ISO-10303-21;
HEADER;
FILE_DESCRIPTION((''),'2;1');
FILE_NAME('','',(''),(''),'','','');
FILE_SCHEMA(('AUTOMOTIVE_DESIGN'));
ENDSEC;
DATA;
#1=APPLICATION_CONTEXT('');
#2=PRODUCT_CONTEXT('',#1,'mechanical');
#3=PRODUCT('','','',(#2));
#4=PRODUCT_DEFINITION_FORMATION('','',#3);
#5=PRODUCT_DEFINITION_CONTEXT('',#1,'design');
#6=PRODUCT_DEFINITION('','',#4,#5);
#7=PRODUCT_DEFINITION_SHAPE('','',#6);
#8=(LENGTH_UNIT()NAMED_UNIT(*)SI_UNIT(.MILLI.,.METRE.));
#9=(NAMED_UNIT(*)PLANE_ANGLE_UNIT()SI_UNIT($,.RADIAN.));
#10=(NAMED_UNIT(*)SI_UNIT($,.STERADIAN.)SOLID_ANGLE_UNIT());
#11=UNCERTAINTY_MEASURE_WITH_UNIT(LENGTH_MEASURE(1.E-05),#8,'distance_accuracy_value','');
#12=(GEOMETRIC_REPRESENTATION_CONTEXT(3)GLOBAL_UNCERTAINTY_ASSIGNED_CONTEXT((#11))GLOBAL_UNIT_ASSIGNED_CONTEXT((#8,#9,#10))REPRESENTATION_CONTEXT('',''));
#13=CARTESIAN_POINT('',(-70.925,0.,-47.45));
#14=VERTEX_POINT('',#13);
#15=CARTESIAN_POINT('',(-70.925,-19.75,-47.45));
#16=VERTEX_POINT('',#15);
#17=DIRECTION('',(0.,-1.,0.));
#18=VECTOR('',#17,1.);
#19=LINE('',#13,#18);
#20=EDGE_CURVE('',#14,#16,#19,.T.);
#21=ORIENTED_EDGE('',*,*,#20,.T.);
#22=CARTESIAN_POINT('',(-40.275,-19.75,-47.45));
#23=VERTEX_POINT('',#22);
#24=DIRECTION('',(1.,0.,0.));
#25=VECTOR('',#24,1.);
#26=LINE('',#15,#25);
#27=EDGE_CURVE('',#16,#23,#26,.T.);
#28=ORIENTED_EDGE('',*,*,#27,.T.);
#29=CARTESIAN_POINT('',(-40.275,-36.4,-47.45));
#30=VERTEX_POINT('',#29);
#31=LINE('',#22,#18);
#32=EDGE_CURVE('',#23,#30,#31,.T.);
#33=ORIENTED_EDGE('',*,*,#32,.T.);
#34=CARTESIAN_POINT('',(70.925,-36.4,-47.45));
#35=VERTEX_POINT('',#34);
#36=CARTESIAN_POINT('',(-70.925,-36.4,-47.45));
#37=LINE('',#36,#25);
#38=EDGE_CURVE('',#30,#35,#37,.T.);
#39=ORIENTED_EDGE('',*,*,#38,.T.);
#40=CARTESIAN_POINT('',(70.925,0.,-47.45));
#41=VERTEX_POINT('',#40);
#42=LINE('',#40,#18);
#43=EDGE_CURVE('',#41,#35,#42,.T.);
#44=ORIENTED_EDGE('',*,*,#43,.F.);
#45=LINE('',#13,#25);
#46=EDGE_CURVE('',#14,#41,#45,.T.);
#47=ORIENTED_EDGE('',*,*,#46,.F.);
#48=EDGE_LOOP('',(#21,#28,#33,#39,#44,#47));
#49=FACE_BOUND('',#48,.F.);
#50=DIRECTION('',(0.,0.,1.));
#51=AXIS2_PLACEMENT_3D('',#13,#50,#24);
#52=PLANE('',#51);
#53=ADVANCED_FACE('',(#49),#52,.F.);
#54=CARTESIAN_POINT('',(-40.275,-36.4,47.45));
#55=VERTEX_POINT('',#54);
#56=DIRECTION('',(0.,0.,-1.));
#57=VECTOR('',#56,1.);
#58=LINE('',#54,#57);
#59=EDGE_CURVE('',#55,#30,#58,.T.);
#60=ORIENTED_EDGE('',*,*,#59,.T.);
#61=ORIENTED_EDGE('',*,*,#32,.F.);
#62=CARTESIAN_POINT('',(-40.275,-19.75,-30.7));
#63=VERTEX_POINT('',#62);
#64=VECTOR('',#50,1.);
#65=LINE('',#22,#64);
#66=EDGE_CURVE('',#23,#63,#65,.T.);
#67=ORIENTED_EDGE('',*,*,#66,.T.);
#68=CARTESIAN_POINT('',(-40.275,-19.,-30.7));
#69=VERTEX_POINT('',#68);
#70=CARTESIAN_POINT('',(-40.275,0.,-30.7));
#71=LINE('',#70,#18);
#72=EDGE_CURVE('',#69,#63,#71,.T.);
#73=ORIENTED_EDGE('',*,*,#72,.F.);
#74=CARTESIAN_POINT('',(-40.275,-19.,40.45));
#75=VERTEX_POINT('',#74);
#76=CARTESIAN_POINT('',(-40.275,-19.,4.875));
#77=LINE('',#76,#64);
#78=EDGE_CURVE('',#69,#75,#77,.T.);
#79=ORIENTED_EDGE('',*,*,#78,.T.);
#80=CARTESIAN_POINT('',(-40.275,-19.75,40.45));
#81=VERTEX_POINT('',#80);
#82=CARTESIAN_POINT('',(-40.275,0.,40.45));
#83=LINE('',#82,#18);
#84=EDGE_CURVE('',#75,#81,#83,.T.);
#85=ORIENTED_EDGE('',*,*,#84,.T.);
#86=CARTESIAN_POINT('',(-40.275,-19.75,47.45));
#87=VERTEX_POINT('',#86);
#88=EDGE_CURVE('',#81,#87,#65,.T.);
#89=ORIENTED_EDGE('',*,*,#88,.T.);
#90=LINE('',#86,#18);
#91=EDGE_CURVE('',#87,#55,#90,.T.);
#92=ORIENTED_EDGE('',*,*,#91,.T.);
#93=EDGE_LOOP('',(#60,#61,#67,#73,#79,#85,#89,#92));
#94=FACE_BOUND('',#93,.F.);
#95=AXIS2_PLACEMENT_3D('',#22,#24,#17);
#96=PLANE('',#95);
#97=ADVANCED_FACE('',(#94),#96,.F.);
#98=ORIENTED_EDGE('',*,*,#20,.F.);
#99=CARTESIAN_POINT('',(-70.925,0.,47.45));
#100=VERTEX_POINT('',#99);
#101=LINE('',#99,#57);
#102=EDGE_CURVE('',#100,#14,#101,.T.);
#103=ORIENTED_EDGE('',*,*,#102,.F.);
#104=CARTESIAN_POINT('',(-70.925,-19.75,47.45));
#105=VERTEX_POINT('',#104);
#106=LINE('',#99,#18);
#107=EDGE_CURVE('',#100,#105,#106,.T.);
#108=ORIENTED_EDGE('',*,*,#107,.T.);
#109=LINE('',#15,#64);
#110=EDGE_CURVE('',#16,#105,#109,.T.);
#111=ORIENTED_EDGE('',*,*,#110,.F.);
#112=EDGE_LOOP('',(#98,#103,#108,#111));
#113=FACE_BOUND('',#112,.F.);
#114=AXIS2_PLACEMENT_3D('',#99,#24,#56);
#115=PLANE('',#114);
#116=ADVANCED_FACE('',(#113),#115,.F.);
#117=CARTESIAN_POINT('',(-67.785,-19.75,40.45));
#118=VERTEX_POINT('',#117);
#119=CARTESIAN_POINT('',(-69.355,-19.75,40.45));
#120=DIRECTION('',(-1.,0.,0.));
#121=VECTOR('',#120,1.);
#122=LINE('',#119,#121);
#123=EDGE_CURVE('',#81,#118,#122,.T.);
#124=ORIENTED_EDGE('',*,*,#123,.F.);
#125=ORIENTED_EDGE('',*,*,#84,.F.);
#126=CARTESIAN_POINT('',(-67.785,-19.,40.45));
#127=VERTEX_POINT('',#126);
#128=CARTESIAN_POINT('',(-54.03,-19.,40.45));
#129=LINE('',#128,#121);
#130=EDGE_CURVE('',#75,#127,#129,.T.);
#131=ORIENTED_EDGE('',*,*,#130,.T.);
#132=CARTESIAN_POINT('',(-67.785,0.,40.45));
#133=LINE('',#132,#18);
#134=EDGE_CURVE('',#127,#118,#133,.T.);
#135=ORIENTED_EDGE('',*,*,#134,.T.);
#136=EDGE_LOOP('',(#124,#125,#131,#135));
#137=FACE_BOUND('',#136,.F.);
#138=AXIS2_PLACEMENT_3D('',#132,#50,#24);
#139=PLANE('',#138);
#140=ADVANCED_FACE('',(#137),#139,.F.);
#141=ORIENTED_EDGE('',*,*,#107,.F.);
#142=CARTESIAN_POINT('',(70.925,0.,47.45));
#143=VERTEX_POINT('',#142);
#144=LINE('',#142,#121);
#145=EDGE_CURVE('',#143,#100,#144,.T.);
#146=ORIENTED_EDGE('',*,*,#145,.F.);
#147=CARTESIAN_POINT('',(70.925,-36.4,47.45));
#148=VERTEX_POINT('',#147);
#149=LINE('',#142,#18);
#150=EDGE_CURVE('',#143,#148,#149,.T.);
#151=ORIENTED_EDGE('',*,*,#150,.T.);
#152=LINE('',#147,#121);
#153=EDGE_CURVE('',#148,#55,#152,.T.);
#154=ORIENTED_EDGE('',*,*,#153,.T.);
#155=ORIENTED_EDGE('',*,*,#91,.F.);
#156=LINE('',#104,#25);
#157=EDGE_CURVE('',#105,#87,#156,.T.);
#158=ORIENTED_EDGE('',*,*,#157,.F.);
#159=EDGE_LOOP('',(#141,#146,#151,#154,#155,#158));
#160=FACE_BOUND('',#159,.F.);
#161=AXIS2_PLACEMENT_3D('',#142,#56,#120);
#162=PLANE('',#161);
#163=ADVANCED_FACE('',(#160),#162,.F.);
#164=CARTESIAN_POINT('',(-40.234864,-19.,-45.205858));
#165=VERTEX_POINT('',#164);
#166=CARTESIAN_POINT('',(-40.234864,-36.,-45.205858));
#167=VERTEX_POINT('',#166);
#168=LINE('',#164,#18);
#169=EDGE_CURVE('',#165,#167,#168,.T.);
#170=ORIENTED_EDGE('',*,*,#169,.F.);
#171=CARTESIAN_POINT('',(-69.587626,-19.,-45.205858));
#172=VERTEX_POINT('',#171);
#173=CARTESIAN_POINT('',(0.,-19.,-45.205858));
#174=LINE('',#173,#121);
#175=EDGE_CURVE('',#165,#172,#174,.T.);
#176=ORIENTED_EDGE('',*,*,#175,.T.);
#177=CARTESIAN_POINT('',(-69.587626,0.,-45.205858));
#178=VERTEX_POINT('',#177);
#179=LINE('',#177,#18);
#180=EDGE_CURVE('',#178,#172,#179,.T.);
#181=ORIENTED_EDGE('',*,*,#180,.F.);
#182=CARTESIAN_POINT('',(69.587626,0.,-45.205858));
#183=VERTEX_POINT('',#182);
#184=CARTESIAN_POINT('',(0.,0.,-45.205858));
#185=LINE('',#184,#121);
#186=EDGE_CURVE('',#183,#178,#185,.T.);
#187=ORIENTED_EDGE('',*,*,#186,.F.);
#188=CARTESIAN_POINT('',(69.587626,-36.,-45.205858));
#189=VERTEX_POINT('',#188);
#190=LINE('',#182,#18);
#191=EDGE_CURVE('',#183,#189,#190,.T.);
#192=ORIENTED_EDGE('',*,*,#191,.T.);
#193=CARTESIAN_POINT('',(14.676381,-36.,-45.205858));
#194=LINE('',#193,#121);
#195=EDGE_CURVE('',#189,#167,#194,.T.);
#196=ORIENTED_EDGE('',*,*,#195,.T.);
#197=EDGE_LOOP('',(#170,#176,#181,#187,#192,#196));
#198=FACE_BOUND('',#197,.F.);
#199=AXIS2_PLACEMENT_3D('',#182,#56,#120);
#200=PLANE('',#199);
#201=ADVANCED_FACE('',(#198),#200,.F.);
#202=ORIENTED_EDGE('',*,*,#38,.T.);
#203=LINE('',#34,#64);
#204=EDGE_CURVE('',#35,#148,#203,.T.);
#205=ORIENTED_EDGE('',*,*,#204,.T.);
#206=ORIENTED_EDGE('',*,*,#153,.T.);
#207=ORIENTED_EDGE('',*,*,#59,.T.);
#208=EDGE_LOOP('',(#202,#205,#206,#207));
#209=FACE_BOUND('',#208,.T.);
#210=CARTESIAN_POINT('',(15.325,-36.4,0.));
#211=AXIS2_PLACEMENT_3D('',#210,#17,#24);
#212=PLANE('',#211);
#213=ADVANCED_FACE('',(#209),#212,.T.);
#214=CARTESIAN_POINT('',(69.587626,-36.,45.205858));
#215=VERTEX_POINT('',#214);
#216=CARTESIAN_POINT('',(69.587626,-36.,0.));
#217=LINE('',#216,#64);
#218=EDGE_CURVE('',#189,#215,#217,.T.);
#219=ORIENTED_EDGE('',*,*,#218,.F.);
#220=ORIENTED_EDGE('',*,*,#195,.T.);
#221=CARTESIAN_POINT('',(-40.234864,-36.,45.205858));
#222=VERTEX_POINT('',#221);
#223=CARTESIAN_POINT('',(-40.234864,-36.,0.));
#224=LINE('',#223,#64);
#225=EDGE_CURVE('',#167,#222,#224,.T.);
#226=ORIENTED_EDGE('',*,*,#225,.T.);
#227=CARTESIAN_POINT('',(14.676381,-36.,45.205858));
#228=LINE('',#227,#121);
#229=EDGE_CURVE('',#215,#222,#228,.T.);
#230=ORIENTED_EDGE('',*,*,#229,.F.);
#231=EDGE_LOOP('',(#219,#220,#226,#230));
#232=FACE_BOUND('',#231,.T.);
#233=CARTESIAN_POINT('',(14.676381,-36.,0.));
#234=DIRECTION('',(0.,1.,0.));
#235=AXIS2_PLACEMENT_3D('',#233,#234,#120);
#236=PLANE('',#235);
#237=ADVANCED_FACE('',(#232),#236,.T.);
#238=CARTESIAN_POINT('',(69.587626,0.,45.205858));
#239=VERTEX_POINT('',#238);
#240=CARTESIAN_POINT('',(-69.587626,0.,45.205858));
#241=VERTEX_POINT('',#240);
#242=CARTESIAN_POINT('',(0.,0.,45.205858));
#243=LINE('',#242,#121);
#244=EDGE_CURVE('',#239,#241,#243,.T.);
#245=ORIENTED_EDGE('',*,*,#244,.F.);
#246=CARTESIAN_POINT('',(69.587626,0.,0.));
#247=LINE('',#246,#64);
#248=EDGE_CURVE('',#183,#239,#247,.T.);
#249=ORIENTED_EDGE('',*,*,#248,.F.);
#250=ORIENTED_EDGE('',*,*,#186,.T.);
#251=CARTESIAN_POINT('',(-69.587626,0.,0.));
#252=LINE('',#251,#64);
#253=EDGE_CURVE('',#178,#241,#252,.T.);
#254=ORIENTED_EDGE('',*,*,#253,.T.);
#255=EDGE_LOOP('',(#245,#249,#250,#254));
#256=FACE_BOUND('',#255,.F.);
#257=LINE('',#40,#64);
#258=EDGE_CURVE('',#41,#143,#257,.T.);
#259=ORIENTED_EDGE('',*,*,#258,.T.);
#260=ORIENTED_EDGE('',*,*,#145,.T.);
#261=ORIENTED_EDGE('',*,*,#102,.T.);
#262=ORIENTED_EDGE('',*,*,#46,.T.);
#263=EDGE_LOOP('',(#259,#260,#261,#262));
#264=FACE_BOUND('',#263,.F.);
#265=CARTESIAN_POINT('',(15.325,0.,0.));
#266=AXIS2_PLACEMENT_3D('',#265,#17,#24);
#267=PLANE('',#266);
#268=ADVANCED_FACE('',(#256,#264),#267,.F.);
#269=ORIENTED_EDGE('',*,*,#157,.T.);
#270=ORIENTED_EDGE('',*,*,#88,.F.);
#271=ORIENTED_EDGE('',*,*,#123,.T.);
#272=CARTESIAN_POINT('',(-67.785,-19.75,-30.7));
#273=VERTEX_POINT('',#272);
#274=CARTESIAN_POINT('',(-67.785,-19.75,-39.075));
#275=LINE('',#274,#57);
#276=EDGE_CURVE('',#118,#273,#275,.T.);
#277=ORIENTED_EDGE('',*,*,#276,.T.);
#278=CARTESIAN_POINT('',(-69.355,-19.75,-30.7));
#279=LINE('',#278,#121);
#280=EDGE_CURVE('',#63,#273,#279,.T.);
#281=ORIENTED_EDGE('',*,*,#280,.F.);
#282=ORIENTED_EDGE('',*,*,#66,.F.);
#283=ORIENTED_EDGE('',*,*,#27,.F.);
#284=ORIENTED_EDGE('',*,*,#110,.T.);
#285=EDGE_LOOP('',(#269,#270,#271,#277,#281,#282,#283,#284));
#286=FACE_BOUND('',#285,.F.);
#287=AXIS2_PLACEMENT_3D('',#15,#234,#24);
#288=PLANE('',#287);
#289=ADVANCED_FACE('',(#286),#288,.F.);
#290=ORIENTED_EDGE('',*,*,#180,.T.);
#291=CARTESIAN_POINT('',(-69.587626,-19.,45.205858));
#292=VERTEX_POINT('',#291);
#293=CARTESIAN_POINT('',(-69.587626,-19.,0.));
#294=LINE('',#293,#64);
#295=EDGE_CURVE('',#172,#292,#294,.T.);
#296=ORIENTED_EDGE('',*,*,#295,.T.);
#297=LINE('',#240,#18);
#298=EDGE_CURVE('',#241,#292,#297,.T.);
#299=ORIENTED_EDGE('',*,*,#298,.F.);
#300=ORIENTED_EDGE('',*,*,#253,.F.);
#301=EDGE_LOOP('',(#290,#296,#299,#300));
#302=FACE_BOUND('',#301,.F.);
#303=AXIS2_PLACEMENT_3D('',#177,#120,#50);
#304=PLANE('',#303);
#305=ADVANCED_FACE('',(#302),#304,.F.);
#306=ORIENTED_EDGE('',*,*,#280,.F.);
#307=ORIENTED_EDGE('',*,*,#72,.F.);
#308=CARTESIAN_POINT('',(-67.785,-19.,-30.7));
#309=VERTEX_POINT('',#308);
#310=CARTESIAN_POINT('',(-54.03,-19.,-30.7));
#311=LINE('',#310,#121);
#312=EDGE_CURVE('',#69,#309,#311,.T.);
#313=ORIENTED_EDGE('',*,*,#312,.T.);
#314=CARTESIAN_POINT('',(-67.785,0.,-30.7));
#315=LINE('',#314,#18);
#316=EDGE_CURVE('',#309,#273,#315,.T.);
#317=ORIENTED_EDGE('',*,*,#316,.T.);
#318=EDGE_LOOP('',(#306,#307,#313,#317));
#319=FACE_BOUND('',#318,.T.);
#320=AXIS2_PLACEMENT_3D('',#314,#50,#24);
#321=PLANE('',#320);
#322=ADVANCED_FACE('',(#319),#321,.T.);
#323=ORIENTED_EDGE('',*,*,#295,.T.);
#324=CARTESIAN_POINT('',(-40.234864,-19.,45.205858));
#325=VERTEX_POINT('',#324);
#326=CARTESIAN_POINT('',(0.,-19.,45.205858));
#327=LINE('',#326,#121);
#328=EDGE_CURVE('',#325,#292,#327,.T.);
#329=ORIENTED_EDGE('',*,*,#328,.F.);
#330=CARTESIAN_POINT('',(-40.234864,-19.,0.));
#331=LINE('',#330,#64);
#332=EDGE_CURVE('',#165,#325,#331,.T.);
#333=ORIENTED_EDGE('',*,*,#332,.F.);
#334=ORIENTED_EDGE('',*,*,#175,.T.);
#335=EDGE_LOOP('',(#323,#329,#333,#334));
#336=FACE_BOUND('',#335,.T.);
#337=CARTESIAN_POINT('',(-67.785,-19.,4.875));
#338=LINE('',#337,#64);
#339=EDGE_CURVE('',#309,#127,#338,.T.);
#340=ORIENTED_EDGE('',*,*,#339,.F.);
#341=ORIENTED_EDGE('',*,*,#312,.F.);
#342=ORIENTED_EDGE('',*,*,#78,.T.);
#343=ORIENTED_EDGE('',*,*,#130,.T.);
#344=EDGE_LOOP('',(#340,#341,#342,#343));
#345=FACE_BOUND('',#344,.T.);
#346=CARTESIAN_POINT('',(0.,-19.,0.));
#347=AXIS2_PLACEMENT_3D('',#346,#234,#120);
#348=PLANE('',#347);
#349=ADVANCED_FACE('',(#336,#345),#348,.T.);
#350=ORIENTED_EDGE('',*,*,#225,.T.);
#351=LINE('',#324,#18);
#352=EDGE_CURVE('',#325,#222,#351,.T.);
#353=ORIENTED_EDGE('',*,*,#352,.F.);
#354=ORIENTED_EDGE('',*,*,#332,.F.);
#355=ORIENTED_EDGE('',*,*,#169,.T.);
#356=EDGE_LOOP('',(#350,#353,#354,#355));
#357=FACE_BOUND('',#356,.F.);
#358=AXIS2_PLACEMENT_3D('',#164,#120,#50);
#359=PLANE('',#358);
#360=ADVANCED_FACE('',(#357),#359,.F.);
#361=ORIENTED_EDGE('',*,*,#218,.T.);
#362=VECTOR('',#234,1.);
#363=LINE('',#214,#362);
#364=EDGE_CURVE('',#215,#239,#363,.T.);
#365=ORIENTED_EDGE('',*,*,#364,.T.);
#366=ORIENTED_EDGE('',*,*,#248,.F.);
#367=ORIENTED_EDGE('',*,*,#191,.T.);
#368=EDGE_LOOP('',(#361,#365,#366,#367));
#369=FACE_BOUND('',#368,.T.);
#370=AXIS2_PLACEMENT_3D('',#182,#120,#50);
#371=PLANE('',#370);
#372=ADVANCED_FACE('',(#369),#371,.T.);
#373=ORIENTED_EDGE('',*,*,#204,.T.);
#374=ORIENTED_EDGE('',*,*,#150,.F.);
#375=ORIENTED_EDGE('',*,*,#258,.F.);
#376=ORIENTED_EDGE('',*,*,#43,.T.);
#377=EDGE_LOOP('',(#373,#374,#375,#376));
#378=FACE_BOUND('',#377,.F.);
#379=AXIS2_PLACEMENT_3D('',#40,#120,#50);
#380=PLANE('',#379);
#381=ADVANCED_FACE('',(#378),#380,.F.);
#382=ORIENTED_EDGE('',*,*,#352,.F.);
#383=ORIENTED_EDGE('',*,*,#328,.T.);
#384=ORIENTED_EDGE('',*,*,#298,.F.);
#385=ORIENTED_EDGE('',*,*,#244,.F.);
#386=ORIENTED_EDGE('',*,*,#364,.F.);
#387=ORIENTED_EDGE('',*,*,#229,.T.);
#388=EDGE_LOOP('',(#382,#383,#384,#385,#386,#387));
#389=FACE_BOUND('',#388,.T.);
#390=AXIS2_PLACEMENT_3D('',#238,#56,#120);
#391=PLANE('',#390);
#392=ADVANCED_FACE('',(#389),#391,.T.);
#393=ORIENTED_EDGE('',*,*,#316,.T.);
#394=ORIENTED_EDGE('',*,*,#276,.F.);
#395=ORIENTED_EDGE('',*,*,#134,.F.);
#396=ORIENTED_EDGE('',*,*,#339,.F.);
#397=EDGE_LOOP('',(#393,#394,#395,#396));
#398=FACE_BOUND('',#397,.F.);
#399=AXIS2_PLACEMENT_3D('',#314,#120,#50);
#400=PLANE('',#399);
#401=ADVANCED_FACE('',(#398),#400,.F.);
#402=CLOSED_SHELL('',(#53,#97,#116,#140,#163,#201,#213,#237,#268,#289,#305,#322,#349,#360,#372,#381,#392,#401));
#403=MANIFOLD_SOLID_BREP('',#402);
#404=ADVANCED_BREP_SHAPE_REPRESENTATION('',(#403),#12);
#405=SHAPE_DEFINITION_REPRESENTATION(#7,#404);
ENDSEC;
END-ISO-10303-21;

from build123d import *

# Parameters (mm, degrees)
F0_W     = 27.51
F0_H     = 16.75
F0_H_2   = 7
F1_DEPTH = 36.4
F3_DEPTH = 94.9
F4_W     = 139.175252
F4_H     = 90.411716
F4_W_2   = 27.51
F4_H_2   = 71.15
F5_DEPTH = 19
F6_W     = 109.82249
F6_H     = 90.411716
F7_DEPTH = 17


with BuildPart() as f1:
    # F0 (on Front) → F1 (new body)
    with BuildSketch(Plane.XZ):
        Polygon((-40.275, -47.45), (70.925, -47.45), (70.925, 47.45), (-40.275, 47.45), (-40.275, 40.45), (-40.275, -30.7), align=None)
        with Locations((-54.03, -39.075)):
            Rectangle(F0_W, F0_H)
        Polygon((-70.925, -47.45), (-67.785, -47.45), (-67.785, -30.7), (-67.785, 40.45), (-67.785, 47.45), (-70.925, 47.45), align=None)
        with Locations((-54.03, 43.95)):
            Rectangle(F0_W, F0_H_2)
    extrude(amount=F1_DEPTH)

    # F2 (on face) → F3 (cut)
    with BuildSketch(Plane(origin=(0, 0, -47.45), x_dir=(1, 0, 0), z_dir=(0, 0, -1))):
        Polygon((-40.275, 36.4), (-65.575, 36.4), (-70.925, 36.4), (-70.925, 19.75), (-40.275, 19.75), align=None)
    extrude(amount=-F3_DEPTH, mode=Mode.SUBTRACT)

    # F4 (on face) → F5 (cut)
    with BuildSketch(Plane(origin=(0, 0, 0), x_dir=(-1, 0, 0), z_dir=(0, 1, 0))):
        Rectangle(F4_W, F4_H)
        with Locations((54.03, 4.875)):
            Rectangle(F4_W_2, F4_H_2, mode=Mode.SUBTRACT)
    extrude(amount=-F5_DEPTH, mode=Mode.SUBTRACT)

    # F6 (on face) → F7 (cut)
    with BuildSketch(Plane(origin=(0, -19, 0), x_dir=(-1, 0, 0), z_dir=(0, 1, 0))):
        with Locations((-14.676381, 0)):
            Rectangle(F6_W, F6_H)
    extrude(amount=-F7_DEPTH, mode=Mode.SUBTRACT)


solid = f1.part
